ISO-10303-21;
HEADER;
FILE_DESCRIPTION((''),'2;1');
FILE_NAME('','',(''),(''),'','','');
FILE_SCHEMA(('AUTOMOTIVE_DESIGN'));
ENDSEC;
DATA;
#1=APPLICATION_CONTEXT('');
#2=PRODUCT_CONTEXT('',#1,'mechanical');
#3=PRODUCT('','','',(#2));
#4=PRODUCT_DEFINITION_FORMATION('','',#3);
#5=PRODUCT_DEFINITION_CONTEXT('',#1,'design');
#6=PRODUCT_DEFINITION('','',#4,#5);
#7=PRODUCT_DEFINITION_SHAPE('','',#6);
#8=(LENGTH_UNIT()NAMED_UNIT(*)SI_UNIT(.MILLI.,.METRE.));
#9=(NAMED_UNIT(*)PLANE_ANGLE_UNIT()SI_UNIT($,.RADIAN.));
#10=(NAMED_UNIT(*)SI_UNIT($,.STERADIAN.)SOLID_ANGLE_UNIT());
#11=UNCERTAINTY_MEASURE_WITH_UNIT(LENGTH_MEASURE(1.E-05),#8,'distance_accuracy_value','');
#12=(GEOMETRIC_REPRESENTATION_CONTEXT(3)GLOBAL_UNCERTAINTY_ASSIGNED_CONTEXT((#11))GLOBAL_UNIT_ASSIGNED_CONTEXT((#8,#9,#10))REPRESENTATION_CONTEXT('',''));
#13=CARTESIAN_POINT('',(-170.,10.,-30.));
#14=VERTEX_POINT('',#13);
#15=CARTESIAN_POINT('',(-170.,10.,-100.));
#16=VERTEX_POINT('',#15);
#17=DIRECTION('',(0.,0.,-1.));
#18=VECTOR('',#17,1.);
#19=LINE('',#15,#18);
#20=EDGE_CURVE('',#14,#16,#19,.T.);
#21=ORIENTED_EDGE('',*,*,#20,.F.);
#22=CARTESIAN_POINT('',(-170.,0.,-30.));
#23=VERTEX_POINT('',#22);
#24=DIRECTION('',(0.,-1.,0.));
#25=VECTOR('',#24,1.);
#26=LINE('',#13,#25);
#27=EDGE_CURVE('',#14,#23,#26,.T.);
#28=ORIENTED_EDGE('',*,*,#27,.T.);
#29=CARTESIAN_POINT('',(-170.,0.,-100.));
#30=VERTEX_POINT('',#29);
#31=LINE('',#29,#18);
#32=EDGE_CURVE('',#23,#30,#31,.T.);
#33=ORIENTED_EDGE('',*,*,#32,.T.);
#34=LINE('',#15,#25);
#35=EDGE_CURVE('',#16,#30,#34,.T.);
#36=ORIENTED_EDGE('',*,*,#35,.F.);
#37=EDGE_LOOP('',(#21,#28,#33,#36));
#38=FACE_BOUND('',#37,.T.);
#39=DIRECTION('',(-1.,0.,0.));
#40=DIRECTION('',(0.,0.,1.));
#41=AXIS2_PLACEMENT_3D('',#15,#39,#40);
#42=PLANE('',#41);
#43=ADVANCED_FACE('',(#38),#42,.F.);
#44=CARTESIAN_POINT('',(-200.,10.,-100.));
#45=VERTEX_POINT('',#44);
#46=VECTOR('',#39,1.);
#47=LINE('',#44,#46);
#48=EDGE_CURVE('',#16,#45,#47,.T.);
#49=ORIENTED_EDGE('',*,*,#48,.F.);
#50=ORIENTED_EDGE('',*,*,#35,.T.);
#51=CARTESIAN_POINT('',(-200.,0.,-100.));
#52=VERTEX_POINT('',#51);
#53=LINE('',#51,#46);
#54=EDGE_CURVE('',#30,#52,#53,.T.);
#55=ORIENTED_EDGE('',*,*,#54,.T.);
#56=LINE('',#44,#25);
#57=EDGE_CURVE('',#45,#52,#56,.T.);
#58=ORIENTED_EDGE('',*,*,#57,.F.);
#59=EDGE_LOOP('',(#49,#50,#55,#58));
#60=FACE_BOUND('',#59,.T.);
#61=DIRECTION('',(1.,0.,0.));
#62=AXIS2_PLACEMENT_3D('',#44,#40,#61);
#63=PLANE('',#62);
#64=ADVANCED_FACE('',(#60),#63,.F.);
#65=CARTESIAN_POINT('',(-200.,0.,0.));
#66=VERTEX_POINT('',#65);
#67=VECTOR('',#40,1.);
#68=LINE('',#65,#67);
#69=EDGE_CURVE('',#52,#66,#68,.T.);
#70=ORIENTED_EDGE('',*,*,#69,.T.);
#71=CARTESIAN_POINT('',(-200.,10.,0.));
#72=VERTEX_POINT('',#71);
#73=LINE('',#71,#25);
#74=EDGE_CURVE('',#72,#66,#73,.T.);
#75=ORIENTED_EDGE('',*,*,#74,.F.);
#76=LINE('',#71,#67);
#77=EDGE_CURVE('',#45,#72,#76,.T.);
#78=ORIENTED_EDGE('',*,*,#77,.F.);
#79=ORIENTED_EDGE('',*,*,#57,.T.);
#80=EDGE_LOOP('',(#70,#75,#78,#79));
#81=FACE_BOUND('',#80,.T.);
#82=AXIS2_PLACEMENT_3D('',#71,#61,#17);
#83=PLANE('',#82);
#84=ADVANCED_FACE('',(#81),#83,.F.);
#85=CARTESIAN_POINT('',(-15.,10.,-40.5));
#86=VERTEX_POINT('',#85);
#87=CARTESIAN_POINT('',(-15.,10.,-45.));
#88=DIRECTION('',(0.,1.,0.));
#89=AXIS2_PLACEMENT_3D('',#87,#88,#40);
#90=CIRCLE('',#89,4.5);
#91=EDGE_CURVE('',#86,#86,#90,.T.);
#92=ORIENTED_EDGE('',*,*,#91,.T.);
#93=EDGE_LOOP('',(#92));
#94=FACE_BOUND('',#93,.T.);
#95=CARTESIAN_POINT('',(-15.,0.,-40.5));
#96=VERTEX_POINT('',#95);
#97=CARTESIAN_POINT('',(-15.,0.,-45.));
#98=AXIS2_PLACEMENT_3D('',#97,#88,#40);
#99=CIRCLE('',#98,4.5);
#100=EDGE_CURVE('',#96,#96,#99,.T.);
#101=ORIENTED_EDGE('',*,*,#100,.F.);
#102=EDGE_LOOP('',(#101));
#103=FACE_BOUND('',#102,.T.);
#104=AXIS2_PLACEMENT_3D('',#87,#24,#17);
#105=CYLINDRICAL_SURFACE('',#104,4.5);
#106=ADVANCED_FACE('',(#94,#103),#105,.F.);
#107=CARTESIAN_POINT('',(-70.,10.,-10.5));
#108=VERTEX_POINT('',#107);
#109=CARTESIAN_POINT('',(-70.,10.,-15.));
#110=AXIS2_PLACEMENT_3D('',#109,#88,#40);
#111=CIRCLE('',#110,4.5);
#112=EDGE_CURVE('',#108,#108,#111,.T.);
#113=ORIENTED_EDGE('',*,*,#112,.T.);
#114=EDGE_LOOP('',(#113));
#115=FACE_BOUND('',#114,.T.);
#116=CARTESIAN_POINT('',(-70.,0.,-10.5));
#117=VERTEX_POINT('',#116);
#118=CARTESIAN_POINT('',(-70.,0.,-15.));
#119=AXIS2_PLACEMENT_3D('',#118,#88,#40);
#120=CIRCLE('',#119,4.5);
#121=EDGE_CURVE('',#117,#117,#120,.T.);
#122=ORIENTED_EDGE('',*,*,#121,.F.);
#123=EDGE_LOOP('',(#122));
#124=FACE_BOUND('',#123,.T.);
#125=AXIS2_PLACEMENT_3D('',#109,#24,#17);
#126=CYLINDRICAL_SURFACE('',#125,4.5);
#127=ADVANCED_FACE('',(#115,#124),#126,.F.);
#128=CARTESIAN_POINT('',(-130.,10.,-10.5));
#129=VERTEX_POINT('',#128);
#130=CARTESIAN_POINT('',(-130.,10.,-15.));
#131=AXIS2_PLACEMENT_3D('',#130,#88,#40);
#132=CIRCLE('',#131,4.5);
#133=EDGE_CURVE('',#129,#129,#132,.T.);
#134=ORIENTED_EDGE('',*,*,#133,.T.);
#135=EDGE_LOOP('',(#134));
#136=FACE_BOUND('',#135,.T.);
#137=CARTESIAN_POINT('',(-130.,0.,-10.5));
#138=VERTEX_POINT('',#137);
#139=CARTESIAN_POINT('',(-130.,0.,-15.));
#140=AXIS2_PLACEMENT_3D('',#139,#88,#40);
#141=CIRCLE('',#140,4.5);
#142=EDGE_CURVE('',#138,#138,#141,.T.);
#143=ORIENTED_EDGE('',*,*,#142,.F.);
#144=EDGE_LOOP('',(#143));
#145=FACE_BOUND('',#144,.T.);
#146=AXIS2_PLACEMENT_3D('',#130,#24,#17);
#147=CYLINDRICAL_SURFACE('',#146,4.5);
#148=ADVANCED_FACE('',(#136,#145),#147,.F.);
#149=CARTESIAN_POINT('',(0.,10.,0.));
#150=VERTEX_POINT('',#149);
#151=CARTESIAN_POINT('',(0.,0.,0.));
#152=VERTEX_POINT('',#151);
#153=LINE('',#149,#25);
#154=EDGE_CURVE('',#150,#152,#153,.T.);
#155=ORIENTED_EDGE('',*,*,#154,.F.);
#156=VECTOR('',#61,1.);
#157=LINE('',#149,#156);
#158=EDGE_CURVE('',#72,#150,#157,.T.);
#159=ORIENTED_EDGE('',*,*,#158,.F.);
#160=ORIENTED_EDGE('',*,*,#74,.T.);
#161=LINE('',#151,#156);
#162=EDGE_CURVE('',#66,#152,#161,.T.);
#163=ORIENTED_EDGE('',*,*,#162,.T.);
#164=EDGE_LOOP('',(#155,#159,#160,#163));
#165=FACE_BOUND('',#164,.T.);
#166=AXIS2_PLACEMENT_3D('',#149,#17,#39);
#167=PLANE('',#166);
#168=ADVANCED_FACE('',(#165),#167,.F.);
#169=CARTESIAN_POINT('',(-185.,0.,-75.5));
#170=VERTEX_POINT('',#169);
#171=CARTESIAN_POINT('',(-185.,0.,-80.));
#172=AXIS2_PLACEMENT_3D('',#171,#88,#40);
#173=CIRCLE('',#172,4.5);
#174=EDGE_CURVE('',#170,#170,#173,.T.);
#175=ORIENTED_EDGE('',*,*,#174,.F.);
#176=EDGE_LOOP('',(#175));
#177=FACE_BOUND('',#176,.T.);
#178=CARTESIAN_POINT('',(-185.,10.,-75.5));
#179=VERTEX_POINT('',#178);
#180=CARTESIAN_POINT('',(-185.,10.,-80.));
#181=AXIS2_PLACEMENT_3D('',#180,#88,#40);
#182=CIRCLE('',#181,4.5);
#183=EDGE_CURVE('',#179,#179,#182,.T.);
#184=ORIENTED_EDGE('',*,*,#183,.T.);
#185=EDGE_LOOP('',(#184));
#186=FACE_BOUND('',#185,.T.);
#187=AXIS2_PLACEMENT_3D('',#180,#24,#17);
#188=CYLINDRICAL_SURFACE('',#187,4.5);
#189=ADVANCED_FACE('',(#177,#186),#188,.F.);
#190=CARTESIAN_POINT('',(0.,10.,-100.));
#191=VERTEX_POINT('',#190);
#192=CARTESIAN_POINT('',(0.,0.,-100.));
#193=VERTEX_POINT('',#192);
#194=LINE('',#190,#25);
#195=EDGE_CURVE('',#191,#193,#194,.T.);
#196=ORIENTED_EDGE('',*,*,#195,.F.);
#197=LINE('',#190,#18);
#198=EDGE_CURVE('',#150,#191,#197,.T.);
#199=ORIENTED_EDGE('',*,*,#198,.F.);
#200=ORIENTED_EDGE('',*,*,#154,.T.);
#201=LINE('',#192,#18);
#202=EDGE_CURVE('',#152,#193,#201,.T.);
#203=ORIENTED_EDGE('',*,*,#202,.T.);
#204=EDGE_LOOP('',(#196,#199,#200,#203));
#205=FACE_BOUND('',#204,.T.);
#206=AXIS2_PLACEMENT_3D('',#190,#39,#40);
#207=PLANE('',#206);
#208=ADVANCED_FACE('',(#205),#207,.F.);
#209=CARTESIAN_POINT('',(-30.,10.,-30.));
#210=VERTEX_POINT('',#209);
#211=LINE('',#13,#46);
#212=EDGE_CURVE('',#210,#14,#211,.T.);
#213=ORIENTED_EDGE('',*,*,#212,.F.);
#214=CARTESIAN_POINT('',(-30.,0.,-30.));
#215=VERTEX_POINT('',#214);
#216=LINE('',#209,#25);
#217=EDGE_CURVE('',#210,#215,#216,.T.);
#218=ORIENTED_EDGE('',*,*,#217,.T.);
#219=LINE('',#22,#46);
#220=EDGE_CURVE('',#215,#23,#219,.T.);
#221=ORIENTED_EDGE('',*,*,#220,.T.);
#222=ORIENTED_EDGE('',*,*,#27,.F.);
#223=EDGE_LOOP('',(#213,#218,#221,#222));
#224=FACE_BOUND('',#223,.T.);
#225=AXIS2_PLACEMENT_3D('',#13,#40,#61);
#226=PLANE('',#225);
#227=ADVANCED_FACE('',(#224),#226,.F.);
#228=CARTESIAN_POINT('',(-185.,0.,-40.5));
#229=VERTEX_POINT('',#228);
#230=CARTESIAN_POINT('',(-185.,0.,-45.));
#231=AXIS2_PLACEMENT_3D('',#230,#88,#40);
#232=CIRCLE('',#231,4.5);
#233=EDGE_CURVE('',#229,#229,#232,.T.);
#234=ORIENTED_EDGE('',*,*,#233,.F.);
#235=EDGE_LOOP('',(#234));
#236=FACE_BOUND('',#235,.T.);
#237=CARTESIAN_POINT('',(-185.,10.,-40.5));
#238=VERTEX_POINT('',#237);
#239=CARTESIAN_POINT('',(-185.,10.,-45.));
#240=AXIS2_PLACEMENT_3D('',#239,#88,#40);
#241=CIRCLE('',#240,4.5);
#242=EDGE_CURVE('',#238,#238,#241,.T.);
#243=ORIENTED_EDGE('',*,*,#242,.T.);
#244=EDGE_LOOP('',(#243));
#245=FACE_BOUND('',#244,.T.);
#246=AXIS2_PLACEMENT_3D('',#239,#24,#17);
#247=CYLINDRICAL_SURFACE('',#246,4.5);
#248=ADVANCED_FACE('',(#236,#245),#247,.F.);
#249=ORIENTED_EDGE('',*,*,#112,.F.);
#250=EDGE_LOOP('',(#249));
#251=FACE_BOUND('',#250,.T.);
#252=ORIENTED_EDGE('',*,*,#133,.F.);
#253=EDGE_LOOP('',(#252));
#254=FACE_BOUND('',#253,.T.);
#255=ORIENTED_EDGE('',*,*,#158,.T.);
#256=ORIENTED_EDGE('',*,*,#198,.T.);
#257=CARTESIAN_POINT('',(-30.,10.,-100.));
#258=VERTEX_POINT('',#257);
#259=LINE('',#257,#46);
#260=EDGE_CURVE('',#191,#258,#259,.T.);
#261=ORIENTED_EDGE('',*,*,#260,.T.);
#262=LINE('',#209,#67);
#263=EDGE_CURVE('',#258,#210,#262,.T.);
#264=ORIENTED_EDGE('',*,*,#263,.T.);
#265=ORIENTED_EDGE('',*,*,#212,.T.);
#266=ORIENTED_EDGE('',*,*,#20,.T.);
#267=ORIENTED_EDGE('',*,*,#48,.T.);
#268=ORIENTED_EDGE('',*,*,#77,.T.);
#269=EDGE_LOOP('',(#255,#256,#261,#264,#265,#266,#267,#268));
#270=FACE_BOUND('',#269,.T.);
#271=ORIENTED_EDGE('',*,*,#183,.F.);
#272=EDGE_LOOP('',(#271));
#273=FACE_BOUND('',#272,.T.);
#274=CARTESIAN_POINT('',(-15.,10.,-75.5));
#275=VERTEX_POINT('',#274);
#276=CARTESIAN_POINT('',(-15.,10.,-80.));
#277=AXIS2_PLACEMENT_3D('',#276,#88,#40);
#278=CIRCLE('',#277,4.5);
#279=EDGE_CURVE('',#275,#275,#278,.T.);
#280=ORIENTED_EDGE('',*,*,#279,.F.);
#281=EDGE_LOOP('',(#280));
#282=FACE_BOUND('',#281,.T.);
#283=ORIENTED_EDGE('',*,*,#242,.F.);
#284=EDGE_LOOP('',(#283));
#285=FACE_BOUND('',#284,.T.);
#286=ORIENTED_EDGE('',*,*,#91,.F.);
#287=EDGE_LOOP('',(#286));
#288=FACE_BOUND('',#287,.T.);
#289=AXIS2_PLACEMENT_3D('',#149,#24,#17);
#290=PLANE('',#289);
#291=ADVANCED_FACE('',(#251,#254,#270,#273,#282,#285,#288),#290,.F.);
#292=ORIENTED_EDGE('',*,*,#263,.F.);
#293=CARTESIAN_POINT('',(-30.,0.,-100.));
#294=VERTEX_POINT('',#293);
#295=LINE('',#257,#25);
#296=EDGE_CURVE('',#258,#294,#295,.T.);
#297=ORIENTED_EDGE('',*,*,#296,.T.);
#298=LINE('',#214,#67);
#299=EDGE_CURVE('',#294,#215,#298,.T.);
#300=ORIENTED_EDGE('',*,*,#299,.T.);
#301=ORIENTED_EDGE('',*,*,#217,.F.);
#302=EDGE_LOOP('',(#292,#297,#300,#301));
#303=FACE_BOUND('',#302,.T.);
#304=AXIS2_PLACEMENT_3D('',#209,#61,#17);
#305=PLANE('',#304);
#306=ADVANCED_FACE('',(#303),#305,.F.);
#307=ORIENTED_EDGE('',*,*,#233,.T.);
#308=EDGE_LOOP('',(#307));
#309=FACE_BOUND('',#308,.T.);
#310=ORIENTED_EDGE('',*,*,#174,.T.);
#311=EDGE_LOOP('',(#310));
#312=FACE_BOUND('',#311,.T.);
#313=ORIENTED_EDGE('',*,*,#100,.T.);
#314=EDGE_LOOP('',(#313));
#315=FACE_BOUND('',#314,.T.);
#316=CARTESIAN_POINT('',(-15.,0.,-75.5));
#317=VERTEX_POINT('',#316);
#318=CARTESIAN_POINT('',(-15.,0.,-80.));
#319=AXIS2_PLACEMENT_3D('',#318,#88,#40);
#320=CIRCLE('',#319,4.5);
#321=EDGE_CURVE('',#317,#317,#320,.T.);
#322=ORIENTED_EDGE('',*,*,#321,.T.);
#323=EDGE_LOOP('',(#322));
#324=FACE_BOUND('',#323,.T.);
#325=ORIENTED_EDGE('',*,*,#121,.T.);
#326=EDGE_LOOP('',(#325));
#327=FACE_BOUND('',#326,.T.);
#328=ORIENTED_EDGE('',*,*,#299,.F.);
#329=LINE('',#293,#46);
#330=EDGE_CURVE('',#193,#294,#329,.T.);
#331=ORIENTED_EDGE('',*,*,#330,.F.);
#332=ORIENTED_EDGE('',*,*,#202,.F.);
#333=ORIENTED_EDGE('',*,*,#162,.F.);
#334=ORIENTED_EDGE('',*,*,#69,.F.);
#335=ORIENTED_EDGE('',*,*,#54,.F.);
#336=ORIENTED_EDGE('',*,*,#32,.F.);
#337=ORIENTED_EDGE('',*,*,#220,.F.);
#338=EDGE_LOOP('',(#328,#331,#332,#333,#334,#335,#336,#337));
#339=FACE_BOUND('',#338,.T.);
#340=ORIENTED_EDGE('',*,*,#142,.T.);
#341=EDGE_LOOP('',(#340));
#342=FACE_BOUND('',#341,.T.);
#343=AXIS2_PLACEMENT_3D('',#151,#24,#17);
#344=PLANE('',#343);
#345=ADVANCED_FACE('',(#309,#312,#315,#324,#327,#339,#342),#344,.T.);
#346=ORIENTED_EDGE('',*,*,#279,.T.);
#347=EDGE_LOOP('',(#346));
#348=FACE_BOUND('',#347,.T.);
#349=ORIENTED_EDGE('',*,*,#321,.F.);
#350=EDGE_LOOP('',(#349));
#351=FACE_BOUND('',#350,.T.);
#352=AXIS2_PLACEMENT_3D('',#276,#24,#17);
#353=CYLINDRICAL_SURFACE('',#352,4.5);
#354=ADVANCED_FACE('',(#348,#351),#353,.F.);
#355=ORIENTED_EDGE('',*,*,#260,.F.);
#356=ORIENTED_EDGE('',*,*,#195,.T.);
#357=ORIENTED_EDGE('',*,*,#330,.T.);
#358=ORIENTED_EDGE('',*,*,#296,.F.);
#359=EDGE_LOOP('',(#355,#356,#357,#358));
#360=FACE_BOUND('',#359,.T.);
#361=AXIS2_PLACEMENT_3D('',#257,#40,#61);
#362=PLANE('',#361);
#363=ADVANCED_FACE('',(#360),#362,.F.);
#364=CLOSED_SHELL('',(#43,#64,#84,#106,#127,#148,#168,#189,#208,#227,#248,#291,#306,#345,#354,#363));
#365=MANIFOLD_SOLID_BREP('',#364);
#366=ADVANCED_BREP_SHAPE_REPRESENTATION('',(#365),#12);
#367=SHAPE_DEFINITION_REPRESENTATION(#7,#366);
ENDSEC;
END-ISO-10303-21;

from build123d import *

# Parameters (mm, degrees)
SKETCH1_R           = 4.5
BOSS_EXTRUDE1_DEPTH = 10


with BuildPart() as part:
    # Sketch1 → Boss-Extrude1 (new body)
    with BuildSketch(Plane(origin=(0, 0, 0), x_dir=(1, 0, 0), z_dir=(0, 1, 0))):
        Polygon((0, 0), (-200, 0), (-200, 100), (-170, 100), (-170, 30), (-30, 30), (-30, 100), (0, 100), align=None)
        with Locations((-15, 80)):
            Circle(SKETCH1_R, mode=Mode.SUBTRACT)
        with Locations((-15, 45)):
            Circle(SKETCH1_R, mode=Mode.SUBTRACT)
        with Locations((-130, 15)):
            Circle(SKETCH1_R, mode=Mode.SUBTRACT)
        with Locations((-70, 15)):
            Circle(SKETCH1_R, mode=Mode.SUBTRACT)
        with Locations((-185, 80)):
            Circle(SKETCH1_R, mode=Mode.SUBTRACT)
        with Locations((-185, 45)):
            Circle(SKETCH1_R, mode=Mode.SUBTRACT)
    extrude(amount=BOSS_EXTRUDE1_DEPTH)


solid = part.part
